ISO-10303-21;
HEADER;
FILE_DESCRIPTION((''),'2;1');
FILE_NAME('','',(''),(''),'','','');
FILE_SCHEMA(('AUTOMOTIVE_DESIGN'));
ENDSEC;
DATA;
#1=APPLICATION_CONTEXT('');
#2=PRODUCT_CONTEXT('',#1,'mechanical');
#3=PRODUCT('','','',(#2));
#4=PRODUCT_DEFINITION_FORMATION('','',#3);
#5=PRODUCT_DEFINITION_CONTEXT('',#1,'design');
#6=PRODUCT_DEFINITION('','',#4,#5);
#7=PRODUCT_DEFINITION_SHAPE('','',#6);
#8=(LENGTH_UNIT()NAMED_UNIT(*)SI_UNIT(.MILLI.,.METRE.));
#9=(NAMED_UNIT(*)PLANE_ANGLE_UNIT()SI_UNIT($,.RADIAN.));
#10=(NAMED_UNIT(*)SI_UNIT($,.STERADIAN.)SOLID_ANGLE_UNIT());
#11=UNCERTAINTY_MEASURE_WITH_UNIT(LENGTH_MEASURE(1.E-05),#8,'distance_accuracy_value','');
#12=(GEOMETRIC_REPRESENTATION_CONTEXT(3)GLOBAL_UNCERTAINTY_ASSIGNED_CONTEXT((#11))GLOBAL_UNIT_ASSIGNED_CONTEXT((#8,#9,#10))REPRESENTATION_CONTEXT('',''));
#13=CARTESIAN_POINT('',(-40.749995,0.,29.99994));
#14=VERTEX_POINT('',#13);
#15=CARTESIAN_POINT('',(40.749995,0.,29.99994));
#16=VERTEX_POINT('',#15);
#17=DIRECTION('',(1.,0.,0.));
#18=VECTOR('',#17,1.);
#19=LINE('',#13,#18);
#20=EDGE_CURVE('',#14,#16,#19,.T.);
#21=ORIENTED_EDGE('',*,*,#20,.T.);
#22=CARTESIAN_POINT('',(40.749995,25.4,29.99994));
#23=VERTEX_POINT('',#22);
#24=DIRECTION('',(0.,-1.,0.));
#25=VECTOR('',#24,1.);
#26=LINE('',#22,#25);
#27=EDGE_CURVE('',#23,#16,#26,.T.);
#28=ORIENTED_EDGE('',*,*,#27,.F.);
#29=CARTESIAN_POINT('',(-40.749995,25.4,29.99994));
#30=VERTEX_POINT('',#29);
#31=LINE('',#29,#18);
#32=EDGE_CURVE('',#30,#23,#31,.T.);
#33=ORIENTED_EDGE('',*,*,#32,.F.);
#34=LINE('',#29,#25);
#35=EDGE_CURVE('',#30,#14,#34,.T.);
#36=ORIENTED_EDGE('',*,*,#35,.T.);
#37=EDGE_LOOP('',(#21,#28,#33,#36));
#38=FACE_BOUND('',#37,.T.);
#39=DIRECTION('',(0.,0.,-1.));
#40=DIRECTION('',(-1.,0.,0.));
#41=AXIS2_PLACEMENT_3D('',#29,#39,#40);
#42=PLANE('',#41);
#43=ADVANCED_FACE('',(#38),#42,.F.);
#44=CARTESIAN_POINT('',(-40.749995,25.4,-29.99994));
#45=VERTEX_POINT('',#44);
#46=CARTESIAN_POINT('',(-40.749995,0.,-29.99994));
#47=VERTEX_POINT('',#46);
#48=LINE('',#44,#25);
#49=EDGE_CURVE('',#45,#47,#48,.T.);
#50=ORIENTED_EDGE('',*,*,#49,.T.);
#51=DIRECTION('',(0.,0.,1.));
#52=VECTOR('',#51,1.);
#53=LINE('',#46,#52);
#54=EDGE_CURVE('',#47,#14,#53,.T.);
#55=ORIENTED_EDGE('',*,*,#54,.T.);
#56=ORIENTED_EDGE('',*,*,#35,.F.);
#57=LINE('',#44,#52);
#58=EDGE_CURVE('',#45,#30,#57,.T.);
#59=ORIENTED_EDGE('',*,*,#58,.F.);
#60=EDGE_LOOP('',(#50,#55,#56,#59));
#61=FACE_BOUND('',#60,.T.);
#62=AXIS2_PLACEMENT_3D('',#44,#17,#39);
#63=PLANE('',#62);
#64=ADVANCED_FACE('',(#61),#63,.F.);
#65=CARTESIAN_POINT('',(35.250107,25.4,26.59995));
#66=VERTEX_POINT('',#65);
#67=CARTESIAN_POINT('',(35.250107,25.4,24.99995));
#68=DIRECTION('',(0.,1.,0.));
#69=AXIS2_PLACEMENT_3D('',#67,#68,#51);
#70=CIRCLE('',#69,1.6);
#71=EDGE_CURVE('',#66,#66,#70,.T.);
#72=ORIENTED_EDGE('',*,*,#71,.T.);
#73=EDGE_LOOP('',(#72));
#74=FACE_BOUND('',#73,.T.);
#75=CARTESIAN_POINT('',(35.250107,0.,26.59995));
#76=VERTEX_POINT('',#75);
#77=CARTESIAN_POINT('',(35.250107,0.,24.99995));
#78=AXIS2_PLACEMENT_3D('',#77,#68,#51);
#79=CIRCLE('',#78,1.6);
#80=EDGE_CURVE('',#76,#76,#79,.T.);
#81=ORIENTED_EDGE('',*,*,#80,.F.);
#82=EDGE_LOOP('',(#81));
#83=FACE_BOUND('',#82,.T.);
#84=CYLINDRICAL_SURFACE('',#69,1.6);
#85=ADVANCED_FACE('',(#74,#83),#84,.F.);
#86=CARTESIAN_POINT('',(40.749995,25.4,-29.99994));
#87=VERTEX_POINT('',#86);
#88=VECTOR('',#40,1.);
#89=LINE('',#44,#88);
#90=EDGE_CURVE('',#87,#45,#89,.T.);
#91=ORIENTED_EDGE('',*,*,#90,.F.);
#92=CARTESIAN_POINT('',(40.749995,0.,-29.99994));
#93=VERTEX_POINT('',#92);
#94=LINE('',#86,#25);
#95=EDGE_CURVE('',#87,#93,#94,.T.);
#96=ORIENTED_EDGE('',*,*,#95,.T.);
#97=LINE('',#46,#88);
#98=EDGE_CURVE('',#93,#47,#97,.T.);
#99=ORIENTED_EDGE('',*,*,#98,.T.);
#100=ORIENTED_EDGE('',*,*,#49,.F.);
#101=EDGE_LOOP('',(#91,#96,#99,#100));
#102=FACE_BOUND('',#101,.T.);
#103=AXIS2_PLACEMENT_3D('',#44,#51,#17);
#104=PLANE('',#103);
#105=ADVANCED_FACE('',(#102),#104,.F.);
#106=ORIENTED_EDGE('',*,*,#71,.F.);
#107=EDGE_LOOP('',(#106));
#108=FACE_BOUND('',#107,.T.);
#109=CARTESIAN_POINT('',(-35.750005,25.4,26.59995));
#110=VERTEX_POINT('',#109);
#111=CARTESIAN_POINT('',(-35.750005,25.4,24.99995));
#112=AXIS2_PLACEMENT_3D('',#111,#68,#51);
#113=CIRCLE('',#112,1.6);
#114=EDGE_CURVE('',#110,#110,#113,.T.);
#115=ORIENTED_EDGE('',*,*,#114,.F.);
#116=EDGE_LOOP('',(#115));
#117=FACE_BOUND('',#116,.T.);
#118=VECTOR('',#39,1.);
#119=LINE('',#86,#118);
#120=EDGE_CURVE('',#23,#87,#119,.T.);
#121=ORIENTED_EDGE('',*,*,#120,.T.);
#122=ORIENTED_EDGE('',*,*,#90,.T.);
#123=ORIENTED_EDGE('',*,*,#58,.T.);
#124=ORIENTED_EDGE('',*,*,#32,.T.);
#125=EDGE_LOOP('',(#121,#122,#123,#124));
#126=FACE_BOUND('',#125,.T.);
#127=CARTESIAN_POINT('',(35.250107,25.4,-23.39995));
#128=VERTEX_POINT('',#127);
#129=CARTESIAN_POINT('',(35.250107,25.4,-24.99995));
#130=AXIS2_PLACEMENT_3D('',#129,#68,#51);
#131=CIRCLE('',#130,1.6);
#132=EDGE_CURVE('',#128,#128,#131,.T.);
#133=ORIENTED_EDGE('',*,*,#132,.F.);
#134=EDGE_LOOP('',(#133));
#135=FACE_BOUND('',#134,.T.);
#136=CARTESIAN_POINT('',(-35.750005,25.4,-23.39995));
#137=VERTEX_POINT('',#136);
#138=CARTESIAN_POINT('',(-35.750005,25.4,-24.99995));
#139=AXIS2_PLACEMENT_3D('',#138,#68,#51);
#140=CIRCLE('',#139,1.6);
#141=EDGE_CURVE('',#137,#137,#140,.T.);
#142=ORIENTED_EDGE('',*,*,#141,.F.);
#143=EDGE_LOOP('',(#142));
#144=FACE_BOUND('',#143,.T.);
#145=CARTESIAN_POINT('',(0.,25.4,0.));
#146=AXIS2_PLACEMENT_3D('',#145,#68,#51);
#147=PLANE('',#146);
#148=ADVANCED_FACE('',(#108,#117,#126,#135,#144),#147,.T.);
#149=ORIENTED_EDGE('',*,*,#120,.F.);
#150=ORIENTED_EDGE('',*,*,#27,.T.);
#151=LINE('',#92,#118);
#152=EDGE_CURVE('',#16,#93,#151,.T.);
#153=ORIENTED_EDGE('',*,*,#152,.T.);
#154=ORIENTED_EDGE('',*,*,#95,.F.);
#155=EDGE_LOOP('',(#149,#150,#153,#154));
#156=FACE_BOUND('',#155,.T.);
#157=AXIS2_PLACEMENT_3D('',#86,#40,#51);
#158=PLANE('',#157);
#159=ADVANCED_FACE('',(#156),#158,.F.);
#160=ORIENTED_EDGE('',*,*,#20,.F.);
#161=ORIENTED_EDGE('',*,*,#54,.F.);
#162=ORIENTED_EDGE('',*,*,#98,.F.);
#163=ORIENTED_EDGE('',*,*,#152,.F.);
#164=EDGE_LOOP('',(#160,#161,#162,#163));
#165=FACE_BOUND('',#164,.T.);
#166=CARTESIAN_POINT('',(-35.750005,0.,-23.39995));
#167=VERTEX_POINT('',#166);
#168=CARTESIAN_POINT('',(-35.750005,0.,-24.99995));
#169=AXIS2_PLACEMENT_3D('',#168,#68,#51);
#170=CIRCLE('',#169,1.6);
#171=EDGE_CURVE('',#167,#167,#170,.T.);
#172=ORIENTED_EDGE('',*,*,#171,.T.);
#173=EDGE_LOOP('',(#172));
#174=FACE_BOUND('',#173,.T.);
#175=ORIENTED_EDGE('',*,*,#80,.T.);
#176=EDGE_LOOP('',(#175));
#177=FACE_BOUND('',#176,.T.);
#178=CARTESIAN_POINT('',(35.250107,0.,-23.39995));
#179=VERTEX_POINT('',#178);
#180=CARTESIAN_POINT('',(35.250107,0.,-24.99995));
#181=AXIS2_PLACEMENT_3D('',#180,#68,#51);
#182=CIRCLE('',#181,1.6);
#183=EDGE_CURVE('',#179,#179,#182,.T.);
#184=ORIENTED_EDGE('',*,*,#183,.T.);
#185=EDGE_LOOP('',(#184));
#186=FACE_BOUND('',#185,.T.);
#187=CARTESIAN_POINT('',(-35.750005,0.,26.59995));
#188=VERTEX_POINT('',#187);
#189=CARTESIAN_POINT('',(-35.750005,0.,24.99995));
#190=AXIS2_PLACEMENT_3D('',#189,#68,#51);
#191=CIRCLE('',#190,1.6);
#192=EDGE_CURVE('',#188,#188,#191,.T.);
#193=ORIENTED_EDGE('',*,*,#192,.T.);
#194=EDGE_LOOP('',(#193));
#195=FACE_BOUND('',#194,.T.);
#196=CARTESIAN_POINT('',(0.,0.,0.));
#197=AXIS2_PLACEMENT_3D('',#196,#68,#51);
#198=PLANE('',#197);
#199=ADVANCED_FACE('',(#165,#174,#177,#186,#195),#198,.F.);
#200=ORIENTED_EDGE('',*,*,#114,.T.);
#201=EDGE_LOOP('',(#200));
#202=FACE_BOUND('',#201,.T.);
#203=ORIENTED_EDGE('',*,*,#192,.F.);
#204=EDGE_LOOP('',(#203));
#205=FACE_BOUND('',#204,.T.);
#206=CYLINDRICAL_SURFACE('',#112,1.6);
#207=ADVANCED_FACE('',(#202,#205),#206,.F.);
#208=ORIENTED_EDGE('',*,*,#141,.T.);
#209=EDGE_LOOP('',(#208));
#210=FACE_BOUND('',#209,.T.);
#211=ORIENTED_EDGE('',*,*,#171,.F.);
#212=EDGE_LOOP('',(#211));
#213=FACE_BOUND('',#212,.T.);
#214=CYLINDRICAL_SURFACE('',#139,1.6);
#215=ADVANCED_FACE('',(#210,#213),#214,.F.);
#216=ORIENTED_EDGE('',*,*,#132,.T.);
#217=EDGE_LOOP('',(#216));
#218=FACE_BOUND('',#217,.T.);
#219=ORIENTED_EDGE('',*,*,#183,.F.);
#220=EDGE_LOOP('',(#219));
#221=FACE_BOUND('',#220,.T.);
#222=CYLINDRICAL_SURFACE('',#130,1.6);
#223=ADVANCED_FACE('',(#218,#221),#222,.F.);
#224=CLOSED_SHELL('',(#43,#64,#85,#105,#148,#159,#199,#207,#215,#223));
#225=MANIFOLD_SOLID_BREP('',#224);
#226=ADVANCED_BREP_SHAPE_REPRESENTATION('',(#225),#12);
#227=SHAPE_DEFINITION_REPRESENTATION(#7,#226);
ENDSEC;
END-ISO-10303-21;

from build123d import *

# Parameters (mm, degrees)
SKETCH1_W             = 81.4999894
SKETCH1_H             = 59.99988
BOSS_EXTRUDE1_DEPTH   = 25.4
F_3_2MM_MOUNT_HOLES_D = 3.2


with BuildPart() as part:
    # Sketch1 → Boss-Extrude1 (new body)
    with BuildSketch(Plane(origin=(0, 0, 0), x_dir=(1, 0, 0), z_dir=(0, 1, 0))):
        Rectangle(SKETCH1_W, SKETCH1_H)
    extrude(amount=BOSS_EXTRUDE1_DEPTH)

    # 3.2mm Mount holes (through all)
    with Locations(Plane(origin=(0, 25.4, 0), x_dir=(1, 0, 0), z_dir=(0, 1, 0))):
        with Locations((-35.7500047, 24.99995), (35.2501073, -24.99995), (35.2501073, 24.99995), (-35.7500047, -24.99995)):
            Hole(F_3_2MM_MOUNT_HOLES_D / 2)


solid = part.part
